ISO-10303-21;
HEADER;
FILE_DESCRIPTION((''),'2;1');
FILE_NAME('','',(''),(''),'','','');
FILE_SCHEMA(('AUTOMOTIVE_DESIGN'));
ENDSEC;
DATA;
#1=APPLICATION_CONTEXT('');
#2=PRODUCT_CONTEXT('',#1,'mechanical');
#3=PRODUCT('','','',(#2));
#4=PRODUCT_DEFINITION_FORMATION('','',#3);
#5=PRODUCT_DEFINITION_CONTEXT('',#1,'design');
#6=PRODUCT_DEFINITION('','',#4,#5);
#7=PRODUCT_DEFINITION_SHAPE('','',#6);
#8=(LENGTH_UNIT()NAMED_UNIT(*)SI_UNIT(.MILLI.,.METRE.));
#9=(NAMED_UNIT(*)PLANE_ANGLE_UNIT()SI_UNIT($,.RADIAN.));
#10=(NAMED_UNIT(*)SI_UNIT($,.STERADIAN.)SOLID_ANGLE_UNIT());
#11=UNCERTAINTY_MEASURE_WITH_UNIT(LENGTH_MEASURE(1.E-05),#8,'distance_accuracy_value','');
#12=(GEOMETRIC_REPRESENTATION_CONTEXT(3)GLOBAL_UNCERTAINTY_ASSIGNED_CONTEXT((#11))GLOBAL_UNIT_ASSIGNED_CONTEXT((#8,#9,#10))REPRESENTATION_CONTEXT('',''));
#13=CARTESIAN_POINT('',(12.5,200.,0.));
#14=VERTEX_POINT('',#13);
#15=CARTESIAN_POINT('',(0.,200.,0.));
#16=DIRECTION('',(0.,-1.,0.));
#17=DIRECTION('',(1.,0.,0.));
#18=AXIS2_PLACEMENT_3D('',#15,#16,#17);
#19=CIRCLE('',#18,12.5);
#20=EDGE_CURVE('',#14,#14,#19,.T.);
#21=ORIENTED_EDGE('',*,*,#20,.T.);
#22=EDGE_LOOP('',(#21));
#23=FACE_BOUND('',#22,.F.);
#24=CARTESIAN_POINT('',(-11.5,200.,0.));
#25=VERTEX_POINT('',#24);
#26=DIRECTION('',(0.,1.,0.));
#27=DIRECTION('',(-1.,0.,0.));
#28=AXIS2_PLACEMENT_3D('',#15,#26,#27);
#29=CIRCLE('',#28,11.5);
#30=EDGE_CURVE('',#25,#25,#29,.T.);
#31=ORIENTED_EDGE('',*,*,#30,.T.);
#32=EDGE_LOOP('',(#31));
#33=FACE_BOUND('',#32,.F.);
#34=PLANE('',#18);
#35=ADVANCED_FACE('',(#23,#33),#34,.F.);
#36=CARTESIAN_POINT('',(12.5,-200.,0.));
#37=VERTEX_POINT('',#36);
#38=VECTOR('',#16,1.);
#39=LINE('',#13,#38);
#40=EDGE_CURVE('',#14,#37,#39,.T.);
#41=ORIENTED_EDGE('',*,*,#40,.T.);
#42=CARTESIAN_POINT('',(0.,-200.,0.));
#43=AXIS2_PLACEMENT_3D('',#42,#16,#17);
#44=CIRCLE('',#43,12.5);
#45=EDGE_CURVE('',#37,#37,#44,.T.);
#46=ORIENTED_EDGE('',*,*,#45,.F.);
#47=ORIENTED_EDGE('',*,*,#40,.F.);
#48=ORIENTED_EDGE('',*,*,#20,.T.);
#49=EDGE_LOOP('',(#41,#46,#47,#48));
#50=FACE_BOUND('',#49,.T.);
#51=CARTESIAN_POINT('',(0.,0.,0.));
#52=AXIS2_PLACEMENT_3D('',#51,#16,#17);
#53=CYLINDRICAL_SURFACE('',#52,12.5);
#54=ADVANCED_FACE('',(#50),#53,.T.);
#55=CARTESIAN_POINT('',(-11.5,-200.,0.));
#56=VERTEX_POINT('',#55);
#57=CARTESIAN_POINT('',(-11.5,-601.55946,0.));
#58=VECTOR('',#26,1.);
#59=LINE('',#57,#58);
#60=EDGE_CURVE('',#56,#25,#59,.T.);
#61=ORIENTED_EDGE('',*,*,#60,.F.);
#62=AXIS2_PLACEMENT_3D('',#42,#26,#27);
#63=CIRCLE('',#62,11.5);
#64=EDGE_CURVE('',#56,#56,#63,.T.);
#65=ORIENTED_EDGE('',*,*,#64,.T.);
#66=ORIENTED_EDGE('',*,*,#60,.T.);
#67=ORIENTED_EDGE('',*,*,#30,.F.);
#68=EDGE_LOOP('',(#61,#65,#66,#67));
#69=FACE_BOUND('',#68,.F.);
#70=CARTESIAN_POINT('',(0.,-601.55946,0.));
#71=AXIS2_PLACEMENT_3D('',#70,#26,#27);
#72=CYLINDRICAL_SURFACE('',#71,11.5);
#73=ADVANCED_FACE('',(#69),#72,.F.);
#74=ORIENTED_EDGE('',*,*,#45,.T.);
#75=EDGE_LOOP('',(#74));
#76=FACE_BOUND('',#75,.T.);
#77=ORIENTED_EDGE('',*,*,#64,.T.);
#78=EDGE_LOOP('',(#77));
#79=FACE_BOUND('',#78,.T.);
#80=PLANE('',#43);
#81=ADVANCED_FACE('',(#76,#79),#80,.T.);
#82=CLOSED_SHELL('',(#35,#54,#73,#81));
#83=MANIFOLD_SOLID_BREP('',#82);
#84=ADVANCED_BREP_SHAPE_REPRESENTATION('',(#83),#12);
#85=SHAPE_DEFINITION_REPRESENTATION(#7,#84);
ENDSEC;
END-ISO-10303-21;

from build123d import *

# Parameters (mm, degrees)
F0_R     = 12.5
F1_DEPTH = 200
F3_D     = 23


with BuildPart() as f1:
    # F0 (on Front) → F1 (new body, symmetric)
    with BuildSketch(Plane.XZ):
        Circle(F0_R)
    extrude(amount=F1_DEPTH, both=True)

    # F3 (through all)
    with Locations(Plane.XZ.offset(200)):
        with Locations((0, 0)):
            Hole(F3_D / 2)


solid = f1.part
